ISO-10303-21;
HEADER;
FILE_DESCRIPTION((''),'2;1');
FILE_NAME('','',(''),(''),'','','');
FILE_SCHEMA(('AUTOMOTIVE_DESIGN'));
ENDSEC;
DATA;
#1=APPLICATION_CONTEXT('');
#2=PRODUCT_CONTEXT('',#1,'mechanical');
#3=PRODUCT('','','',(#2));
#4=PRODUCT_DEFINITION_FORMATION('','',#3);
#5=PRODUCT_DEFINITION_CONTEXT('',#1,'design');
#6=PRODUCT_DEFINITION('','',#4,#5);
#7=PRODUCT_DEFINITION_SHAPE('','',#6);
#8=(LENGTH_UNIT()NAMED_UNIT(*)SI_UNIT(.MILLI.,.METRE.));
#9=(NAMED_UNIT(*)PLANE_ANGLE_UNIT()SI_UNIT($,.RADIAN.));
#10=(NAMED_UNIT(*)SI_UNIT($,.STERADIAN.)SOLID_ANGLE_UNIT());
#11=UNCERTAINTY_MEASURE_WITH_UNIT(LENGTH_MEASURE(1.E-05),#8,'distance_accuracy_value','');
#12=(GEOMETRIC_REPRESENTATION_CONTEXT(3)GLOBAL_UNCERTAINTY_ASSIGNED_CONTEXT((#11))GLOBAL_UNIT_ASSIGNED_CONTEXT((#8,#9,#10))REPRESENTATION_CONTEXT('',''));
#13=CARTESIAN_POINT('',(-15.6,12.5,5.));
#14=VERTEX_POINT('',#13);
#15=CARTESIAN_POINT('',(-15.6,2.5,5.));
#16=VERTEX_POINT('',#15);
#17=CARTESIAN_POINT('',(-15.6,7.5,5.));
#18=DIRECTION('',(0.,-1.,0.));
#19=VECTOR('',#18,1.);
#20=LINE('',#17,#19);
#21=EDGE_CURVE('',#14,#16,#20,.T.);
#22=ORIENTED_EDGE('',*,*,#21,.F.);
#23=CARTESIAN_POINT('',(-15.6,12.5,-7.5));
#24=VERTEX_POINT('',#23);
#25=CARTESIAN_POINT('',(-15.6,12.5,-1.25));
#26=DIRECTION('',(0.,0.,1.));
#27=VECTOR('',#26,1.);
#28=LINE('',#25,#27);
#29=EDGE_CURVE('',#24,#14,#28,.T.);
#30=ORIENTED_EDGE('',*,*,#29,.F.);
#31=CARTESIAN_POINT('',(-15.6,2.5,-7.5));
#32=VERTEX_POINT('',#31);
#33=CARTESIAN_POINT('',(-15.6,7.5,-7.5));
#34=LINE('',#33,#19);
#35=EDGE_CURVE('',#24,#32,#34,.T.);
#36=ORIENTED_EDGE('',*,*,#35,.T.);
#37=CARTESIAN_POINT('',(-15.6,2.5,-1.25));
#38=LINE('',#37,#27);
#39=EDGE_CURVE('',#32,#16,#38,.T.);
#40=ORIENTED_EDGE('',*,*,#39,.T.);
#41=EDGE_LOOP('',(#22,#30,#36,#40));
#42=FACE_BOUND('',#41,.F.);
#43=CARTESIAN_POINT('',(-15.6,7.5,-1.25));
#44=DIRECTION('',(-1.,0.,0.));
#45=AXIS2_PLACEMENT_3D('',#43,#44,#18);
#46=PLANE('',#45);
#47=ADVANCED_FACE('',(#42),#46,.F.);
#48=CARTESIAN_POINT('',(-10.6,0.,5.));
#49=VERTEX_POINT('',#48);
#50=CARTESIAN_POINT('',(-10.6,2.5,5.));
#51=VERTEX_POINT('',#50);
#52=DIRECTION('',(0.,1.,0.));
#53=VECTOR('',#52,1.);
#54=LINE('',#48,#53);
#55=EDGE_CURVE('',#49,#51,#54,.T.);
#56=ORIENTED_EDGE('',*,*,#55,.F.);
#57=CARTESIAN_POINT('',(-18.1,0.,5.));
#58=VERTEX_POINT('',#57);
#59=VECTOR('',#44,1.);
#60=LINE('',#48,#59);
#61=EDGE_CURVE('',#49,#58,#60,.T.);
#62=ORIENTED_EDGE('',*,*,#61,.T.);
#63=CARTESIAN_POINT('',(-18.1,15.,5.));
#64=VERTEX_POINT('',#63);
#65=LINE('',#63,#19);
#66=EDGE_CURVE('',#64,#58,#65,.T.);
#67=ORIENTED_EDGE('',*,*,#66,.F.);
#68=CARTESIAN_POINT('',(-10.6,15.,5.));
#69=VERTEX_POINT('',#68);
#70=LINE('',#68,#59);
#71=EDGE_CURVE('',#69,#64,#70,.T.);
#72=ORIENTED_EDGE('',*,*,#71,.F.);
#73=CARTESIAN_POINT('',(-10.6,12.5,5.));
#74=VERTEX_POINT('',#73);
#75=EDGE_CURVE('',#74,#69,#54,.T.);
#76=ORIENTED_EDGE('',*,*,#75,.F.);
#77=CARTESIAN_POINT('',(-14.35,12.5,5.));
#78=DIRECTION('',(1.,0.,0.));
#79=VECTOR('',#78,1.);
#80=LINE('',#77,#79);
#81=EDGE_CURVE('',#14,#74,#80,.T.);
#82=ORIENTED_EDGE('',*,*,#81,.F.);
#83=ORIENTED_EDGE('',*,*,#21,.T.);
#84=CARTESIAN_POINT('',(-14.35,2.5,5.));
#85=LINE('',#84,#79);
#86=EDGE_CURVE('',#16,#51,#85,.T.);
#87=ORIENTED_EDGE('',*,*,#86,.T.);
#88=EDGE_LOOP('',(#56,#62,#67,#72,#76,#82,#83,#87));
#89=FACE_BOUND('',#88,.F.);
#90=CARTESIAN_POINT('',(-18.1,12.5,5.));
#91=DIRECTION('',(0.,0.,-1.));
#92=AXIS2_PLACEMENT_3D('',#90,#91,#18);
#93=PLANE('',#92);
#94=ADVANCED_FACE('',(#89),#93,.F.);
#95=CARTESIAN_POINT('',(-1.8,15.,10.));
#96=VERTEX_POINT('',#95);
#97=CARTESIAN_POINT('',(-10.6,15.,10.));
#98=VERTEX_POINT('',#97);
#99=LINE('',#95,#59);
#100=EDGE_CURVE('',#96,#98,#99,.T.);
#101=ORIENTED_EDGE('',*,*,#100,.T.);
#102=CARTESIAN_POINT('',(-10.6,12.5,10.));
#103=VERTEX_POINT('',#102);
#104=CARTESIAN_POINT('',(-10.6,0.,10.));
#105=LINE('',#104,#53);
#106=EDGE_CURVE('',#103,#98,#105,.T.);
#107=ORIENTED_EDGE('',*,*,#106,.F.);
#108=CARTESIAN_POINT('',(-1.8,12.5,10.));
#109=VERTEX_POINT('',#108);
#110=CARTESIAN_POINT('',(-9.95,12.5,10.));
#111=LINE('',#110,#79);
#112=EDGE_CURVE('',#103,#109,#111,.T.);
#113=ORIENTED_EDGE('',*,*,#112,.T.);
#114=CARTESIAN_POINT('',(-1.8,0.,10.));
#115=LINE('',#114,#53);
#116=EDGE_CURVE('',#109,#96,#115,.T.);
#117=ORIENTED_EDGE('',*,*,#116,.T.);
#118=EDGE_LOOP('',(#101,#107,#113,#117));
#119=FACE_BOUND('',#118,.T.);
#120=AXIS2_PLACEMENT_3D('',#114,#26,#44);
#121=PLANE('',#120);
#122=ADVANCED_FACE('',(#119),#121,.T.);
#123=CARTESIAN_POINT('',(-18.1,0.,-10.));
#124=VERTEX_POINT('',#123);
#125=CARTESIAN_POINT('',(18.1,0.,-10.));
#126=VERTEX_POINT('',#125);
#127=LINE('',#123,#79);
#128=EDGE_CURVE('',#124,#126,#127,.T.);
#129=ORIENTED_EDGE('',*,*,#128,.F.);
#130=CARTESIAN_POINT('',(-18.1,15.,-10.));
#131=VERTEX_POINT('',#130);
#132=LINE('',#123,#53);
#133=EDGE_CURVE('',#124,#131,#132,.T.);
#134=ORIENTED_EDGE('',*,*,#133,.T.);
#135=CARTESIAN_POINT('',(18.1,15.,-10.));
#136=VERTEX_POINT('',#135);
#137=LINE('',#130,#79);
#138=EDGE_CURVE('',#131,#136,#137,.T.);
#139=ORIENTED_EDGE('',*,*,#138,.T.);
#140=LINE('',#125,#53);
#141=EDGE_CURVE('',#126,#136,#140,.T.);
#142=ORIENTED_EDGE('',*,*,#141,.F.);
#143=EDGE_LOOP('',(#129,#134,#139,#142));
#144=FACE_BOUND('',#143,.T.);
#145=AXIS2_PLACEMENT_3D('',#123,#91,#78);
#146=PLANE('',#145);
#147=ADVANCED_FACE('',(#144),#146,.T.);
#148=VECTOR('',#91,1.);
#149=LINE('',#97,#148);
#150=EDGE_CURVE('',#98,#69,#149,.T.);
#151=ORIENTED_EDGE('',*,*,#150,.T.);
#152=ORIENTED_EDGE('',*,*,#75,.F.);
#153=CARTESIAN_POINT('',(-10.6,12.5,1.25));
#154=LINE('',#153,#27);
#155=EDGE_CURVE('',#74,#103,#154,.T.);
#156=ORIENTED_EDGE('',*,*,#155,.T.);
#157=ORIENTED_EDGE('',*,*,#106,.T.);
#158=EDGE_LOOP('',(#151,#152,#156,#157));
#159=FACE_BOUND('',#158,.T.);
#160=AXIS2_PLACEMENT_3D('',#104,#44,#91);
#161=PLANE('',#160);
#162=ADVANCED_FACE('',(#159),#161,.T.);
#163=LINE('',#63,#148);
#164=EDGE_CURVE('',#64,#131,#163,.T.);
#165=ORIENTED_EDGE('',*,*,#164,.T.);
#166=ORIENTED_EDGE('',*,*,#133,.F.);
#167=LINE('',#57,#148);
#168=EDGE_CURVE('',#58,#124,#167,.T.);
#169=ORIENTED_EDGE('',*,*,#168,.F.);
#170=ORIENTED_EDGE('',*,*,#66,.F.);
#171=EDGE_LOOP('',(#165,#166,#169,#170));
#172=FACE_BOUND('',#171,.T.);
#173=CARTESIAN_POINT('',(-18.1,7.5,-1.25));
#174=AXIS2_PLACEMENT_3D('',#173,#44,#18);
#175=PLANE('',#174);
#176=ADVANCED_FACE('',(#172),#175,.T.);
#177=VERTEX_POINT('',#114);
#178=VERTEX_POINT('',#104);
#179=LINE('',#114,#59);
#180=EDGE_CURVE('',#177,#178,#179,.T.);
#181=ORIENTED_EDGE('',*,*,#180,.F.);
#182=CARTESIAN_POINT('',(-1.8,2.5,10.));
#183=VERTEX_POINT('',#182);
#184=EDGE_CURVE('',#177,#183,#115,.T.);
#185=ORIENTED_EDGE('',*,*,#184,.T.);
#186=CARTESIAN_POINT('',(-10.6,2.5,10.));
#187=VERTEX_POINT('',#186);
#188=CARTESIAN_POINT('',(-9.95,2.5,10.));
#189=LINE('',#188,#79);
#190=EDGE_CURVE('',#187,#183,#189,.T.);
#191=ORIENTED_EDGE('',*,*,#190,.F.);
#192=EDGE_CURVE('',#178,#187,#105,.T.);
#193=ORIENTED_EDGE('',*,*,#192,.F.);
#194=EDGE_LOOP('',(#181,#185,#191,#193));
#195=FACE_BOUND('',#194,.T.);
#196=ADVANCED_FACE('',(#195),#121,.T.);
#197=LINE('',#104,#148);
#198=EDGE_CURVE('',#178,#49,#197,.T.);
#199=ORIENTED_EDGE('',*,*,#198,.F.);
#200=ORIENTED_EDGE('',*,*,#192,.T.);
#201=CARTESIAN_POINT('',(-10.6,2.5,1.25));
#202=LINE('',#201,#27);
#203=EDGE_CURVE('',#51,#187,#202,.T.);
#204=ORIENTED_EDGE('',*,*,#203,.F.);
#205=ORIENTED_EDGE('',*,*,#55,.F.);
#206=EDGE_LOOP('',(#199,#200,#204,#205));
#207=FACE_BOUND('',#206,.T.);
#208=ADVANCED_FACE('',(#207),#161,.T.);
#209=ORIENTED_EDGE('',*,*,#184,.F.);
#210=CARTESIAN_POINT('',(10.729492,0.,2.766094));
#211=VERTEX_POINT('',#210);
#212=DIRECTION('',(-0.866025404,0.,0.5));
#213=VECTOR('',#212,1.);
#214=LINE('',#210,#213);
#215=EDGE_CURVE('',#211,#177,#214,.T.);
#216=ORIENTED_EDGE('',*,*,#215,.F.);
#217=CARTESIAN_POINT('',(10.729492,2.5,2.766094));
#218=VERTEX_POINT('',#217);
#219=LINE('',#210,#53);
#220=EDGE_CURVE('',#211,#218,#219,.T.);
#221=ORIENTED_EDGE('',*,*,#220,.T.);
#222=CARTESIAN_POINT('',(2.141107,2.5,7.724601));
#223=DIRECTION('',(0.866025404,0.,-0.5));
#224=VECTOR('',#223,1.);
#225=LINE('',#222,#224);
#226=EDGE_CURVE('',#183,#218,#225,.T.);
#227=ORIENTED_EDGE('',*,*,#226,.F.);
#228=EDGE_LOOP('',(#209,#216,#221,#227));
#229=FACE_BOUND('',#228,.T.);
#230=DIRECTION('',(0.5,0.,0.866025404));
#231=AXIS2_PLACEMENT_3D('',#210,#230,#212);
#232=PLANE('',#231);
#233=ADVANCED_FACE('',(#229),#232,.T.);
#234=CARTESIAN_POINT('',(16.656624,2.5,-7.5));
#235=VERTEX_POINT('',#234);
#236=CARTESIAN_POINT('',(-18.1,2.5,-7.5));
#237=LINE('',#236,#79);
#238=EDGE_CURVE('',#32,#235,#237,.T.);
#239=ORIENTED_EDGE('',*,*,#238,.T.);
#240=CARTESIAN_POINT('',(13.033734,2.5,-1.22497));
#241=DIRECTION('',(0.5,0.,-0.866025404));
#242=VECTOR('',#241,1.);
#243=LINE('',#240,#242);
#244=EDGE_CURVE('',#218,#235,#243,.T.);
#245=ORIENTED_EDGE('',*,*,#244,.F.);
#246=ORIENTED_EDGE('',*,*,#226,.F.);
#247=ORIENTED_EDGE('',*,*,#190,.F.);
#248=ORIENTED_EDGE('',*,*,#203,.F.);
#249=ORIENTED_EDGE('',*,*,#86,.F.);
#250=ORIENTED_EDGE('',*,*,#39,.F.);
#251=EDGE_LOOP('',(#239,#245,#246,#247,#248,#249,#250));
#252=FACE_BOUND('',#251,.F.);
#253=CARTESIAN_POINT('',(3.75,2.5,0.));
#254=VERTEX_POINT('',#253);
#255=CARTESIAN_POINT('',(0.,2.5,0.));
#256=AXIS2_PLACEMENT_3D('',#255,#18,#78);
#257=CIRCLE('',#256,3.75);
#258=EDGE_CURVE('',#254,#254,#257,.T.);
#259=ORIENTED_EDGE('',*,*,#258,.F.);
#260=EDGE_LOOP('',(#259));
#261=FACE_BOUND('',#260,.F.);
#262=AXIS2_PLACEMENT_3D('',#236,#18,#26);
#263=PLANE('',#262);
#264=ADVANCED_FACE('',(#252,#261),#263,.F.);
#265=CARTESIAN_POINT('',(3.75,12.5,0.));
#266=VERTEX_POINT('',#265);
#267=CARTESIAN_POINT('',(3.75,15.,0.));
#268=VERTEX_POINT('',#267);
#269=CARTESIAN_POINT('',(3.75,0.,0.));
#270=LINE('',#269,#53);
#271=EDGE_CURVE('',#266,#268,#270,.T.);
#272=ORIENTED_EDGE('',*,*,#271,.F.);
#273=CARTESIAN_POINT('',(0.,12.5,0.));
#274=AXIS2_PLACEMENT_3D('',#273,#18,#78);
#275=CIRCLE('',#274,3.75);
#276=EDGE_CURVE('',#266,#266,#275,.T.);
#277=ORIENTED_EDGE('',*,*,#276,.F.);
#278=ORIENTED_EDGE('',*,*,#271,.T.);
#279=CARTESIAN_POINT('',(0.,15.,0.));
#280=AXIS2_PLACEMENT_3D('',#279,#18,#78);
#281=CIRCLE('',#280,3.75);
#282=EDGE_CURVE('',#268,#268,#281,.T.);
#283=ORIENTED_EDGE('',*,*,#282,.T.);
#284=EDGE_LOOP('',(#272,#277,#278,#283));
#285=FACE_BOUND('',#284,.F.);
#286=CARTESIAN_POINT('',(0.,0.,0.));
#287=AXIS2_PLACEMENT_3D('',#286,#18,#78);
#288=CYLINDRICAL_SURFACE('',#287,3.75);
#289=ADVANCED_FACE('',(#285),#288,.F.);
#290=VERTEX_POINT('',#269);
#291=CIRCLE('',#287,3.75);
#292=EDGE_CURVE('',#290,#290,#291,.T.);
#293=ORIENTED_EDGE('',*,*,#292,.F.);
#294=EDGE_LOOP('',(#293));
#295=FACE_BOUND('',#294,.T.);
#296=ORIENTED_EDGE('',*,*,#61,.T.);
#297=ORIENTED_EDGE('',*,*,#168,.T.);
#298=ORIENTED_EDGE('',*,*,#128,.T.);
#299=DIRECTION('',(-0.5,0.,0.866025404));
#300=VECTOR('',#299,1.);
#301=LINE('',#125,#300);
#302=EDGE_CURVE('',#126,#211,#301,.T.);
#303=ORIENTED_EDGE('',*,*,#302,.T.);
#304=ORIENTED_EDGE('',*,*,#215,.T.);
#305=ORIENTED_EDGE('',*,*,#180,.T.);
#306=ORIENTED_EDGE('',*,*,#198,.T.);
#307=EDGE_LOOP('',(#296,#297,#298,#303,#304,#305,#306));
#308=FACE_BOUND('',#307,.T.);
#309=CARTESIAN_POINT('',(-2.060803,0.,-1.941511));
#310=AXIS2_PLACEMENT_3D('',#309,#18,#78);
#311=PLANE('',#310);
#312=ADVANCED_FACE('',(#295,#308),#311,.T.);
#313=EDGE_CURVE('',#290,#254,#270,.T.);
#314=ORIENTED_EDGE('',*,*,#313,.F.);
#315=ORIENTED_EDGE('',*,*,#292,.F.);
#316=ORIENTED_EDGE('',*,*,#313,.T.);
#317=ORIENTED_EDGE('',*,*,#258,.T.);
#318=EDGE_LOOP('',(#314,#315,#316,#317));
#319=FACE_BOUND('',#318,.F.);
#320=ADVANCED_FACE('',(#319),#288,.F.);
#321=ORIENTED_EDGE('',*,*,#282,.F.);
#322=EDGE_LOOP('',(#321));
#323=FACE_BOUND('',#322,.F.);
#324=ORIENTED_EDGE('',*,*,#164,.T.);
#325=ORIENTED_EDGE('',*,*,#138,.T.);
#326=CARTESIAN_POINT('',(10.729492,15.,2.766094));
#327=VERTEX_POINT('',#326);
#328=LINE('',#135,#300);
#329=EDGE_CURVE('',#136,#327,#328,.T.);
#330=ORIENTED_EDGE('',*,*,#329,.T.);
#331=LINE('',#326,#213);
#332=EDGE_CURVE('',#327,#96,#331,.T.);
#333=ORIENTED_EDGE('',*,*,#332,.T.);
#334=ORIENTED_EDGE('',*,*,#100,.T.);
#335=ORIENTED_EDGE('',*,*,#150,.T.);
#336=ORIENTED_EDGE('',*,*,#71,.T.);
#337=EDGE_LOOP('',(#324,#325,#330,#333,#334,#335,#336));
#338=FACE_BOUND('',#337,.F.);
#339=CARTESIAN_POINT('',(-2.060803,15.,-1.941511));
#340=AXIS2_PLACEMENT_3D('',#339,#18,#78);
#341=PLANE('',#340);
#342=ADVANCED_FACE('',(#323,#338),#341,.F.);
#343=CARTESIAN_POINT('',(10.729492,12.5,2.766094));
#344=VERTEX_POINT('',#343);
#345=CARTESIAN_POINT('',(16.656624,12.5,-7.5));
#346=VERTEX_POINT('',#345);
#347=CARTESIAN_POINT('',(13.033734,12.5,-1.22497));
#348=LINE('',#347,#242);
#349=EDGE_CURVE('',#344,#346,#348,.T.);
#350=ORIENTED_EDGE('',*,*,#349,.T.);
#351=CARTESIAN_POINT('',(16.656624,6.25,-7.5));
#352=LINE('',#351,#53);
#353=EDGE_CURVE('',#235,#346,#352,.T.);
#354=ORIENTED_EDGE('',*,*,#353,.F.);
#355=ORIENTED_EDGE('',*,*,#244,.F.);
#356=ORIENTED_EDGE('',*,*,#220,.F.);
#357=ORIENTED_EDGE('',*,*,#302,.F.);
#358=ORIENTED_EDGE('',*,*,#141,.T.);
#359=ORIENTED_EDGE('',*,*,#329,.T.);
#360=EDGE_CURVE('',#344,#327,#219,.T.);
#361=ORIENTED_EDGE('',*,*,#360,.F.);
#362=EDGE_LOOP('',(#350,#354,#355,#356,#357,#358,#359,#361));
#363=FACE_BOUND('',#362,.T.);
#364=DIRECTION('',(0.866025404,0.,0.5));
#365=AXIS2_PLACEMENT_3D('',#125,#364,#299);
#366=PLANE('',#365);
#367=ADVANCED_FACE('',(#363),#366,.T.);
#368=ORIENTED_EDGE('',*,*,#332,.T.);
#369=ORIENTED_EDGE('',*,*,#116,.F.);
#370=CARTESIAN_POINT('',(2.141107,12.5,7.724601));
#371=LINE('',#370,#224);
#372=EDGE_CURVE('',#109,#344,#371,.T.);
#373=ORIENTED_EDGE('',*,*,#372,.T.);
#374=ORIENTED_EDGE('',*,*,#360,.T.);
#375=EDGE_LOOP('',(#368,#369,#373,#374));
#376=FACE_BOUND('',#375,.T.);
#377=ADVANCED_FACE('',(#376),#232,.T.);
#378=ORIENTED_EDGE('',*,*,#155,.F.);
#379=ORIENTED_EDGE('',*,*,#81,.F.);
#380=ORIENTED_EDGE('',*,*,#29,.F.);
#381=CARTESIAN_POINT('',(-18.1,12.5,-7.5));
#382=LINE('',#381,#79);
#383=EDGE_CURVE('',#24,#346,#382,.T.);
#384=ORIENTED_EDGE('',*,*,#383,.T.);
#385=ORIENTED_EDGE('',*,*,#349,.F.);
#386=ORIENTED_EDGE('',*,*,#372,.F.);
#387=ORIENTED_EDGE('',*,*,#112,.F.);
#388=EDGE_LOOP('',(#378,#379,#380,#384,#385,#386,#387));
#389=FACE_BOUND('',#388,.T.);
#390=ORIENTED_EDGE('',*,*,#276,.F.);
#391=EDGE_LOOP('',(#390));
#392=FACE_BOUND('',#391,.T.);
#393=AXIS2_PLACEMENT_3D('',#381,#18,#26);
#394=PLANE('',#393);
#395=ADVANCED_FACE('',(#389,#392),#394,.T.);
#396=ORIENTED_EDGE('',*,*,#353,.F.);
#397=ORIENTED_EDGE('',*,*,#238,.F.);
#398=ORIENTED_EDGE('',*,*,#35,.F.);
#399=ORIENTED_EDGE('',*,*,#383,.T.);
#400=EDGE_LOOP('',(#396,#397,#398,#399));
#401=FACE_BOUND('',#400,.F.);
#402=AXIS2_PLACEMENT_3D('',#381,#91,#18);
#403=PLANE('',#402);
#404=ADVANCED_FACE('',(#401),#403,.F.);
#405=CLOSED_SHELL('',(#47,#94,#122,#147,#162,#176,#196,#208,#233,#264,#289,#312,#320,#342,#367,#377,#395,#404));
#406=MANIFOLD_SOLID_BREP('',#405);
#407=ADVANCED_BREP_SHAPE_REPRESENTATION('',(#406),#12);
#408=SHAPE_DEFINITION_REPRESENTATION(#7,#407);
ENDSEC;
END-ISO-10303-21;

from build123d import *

# Parameters (mm, degrees)
F1_DEPTH = 15
F2_W     = 10
F2_H     = 28.5030794889
F3_DEPTH = 36.201
F4_W     = 10
F4_H     = 12.5
F5_DEPTH = 2.5
F6_R     = 3.75
F7_DEPTH = 15.001


with BuildPart() as f1:
    # F0 (on Front) → F1 (new body)
    with BuildSketch(Plane.XZ):
        Polygon((-1.8, 10), (-10.6, 10), (-10.6, 5), (-18.1, 5), (-18.1, -10), (18.1, -10), (10.7294919243, 2.7660944647), align=None)
    extrude(amount=-F1_DEPTH)

    # F2 (on face) → F3 (cut, through all)
    with BuildSketch(Plane(origin=(-18.1, 0, 0), x_dir=(0, -1, 0), z_dir=(-1, 0, 0))):
        with Locations((-7.5, 6.7515397444)):
            Rectangle(F2_W, F2_H)
    extrude(amount=-F3_DEPTH, mode=Mode.SUBTRACT)

    # F4 (on face) → F5 (join)
    with BuildSketch(Plane(origin=(-18.1, 0, 0), x_dir=(0, -1, 0), z_dir=(-1, 0, 0))):
        with Locations((-7.5, -1.25)):
            Rectangle(F4_W, F4_H)
    extrude(amount=-F5_DEPTH)

    # F6 (on face) → F7 (cut, through all)
    with BuildSketch(Plane.XZ):
        Circle(F6_R)
    extrude(amount=-F7_DEPTH, mode=Mode.SUBTRACT)


solid = f1.part
